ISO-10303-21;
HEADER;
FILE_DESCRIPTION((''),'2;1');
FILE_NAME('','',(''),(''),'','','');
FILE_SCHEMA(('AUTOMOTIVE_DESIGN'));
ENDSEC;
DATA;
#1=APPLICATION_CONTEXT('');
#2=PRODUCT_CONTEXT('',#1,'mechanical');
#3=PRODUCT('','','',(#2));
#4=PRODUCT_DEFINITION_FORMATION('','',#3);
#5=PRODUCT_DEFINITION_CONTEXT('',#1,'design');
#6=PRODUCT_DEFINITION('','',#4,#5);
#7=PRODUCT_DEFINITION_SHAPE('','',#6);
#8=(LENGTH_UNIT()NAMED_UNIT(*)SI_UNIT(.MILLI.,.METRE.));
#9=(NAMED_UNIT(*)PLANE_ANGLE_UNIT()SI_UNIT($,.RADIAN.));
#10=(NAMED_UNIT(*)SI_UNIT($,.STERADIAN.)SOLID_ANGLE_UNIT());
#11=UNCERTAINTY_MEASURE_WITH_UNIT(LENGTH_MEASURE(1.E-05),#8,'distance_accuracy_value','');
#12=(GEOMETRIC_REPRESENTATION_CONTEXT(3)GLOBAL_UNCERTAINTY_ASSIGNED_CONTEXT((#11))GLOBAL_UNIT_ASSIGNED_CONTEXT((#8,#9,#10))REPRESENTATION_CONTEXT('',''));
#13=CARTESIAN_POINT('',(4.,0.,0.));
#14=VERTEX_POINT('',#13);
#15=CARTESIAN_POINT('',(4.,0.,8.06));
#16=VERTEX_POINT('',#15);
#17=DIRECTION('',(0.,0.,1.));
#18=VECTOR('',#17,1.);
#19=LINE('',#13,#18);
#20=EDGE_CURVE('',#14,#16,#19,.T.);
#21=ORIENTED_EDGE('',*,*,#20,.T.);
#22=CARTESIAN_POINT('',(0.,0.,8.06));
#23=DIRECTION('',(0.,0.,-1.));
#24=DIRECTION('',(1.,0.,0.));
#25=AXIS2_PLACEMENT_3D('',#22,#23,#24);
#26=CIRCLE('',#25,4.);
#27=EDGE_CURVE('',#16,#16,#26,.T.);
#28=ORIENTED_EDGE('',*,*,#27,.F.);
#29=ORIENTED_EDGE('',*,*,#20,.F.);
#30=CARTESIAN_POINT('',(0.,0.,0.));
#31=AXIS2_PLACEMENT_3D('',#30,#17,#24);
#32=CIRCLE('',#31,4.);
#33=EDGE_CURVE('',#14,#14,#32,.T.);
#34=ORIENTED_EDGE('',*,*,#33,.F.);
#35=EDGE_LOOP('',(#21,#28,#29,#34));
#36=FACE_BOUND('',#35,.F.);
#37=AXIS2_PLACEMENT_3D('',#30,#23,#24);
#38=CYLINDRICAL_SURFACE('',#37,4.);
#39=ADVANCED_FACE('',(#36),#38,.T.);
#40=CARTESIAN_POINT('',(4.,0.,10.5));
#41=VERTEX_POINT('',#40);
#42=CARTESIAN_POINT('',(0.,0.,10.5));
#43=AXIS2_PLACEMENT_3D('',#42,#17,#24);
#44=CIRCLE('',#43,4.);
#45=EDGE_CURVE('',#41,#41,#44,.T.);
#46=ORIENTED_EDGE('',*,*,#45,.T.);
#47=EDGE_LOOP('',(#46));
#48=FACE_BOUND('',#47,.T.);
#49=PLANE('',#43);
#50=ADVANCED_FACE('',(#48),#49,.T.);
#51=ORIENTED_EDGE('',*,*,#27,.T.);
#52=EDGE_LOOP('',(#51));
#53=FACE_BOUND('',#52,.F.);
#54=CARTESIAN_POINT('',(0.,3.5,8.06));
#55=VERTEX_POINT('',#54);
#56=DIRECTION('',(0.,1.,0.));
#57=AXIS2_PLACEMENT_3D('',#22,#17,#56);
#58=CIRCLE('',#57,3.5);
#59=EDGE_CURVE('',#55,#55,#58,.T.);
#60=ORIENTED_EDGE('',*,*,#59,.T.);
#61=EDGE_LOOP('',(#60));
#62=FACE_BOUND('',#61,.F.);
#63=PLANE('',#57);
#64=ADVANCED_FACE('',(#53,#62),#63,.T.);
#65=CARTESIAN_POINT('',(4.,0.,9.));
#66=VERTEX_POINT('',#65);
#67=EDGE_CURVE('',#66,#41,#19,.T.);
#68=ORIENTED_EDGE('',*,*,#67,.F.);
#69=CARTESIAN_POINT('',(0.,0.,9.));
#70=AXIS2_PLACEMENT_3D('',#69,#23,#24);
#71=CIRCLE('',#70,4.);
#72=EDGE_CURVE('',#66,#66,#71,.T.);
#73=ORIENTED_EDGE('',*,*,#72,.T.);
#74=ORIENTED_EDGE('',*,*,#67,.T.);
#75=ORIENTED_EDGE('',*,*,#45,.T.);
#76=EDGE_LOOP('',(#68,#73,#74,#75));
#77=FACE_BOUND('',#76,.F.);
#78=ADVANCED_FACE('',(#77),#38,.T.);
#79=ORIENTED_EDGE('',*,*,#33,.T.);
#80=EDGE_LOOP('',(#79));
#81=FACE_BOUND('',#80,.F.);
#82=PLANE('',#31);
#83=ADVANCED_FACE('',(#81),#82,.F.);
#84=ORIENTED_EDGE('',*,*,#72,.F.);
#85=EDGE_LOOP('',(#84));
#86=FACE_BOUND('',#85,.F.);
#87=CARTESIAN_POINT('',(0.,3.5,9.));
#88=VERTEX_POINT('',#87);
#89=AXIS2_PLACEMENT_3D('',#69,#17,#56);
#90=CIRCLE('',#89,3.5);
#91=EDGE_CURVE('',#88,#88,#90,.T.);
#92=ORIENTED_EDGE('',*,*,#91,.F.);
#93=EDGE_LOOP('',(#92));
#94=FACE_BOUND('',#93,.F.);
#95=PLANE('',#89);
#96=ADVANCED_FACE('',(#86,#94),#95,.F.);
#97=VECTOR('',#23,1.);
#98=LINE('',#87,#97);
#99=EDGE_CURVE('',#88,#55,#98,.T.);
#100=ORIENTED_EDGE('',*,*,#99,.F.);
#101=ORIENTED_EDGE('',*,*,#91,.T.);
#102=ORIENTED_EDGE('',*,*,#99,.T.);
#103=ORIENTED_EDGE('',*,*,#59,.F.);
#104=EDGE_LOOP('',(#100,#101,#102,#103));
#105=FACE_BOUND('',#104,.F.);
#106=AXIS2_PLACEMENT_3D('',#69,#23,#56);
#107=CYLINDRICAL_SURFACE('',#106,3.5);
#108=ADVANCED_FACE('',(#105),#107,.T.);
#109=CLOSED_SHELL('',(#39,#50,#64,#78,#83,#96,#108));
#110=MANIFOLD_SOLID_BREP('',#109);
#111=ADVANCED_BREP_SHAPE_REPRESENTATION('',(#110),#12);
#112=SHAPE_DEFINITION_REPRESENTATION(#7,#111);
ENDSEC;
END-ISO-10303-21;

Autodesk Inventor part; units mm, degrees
ref_plane "YZ Plane" through (0, 0, 0) normal (1, 0, 0) x (0, 1, 0)
ref_plane "XZ Plane" through (0, 0, 0) normal (0, 1, 0) x (-1, 0, 0)
ref_plane "XY Plane" through (0, 0, 0) normal (0, 0, 1) x (1, 0, 0)
sketch "Sketch1" plane through (0, 0, 0) normal (0, 0, 1) x (1, 0, 0)
  circle A0 centre (0, 0) radius 4
  dimension "d0" = 8
extrude "Extrusion1" add sketch "Sketch1" along normal blind 10.5
sketch "Sketch2" plane through (0, 0, 0) normal (1, 0, 0) x (0, 1, 0)
  line L0 (4.5, 9) -> (3.5, 9)
  line L1 (3.5, 9) -> (3.5, 8.06)
  line L2 (3.5, 8.06) -> (4.5, 8.06)
  line L3 (4.5, 8.06) -> (4.5, 9)
  line L4 (4, 0) -> (4, 10.5) projected
  line L5 (4, 10.5) -> (-4, 10.5) projected
  line L6 (0, -2.2) -> (0, 13.2) projected
  line L7 (2.4774, 8) -> (9.7598, 8) projected
  point P0 (0, 0)
  dimension "d3" = 0.5
  dimension "d4" = 1
  dimension "d5" = 0.94
  dimension "d6" = 1.5
revolve "Revolution1" cut sketch "Sketch2" angle 360 about axis through (0, 0, -10) along (0, 0, 1)
equation "\"d4\" = 2 * d3"
properties part number "AxeJambe" material "Stainless Steel"
